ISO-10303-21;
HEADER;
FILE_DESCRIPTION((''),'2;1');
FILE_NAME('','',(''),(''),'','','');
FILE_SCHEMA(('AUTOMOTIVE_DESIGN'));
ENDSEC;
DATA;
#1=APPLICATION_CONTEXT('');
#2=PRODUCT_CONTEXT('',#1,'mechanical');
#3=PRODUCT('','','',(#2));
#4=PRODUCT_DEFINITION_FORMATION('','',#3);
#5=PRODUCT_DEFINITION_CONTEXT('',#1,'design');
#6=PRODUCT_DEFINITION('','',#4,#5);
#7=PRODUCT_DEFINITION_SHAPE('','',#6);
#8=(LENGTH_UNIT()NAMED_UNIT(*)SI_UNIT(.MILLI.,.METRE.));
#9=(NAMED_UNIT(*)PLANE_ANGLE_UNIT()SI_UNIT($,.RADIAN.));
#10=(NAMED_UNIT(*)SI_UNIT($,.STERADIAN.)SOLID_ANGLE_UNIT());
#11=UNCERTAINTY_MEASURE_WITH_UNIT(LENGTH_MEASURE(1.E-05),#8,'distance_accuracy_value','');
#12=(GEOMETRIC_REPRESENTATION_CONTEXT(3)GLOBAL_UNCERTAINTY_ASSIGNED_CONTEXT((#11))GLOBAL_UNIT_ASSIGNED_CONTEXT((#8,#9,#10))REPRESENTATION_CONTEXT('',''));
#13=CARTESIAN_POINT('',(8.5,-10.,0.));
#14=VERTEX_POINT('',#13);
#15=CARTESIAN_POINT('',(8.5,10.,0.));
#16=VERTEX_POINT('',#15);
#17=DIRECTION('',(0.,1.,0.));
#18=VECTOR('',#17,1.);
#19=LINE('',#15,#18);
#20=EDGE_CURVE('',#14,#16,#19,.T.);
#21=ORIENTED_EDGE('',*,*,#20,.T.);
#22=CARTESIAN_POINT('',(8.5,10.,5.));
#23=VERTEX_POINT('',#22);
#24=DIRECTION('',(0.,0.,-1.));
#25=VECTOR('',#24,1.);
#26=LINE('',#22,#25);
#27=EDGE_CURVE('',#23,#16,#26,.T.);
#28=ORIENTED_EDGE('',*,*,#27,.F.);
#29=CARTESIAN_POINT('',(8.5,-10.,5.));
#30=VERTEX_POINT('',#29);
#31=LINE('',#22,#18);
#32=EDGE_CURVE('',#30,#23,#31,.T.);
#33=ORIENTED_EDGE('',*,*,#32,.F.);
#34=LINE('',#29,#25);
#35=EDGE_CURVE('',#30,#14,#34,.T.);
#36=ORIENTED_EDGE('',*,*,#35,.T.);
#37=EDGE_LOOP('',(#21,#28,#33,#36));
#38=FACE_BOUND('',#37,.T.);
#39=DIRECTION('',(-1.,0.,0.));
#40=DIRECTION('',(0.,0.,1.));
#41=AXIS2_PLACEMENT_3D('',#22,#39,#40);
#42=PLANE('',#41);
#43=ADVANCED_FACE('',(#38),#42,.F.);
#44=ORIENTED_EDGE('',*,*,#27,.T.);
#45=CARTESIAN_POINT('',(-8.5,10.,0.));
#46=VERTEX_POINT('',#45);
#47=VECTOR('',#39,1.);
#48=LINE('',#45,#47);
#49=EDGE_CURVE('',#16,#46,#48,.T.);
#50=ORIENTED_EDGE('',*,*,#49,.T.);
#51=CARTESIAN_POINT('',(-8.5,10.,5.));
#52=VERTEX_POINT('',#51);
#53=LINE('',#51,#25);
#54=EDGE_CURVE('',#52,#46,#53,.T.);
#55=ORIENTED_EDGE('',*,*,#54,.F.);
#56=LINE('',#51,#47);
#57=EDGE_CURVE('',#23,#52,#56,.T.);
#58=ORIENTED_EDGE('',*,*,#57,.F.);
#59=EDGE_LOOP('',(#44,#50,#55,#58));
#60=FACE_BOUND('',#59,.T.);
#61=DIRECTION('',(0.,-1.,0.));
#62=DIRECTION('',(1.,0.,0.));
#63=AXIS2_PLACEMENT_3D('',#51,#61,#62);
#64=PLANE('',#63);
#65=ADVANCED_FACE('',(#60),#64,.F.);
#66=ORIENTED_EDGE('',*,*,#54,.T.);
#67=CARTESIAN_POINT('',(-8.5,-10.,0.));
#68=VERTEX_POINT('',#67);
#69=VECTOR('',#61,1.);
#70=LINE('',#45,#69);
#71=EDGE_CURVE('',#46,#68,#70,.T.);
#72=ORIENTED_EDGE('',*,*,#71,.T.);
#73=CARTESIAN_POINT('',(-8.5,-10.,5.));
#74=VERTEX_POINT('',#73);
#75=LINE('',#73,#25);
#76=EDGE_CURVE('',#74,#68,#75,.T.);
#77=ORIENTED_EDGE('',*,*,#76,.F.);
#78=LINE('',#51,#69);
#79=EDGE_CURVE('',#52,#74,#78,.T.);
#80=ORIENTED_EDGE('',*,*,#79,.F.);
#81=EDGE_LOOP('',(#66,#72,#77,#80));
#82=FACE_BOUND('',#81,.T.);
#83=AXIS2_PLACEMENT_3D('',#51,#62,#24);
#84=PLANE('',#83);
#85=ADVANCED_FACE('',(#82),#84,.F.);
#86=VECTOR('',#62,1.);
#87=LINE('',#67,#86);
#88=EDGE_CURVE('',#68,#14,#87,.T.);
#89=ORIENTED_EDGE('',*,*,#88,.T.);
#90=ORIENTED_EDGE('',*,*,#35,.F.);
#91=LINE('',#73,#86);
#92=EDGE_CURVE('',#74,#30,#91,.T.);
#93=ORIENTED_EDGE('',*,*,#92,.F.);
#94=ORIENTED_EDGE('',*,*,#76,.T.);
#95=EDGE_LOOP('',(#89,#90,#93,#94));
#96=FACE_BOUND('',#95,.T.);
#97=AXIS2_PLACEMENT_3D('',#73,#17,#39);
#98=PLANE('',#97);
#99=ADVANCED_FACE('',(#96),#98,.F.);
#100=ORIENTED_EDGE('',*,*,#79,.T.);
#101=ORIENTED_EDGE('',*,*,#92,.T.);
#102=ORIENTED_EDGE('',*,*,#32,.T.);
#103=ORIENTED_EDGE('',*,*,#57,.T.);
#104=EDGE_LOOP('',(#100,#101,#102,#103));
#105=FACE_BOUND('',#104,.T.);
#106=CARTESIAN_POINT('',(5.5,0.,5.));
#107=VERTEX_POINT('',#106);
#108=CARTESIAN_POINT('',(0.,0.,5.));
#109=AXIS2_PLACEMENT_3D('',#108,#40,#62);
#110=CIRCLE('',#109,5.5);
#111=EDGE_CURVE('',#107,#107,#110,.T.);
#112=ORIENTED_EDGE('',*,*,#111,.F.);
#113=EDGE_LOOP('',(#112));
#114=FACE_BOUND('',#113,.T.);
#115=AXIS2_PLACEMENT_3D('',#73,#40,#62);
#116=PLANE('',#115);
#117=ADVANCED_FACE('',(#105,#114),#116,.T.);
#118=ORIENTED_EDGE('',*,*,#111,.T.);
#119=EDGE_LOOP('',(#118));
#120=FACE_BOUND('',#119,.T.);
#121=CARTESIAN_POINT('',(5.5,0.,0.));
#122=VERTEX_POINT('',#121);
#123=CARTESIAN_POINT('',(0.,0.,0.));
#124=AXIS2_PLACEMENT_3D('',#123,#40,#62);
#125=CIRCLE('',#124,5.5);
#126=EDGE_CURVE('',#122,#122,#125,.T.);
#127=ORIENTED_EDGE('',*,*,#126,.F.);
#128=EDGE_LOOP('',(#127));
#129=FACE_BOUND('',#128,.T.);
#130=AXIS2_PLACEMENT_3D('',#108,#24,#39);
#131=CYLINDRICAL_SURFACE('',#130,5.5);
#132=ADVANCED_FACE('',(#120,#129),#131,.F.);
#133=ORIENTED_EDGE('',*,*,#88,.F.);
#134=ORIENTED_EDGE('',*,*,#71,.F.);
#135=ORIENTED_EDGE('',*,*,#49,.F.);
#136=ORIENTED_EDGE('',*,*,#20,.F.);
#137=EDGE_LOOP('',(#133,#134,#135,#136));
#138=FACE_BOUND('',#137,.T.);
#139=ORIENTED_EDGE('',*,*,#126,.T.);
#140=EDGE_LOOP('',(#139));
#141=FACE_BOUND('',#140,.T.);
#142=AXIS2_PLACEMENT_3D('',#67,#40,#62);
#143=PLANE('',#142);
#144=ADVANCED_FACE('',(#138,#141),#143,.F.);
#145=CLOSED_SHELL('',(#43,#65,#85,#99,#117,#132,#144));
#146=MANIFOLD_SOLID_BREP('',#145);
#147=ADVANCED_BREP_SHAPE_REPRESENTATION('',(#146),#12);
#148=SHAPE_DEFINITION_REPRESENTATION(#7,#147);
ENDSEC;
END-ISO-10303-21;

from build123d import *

# Parameters (mm, degrees)
ESQUISSE1_W      = 17
ESQUISSE1_H      = 20
ESQUISSE1_R      = 5.5
EXTRUSION1_DEPTH = 5


with BuildPart() as part:
    # Esquisse1 → Extrusion1 (new body)
    with BuildSketch(Plane.XY):
        Rectangle(ESQUISSE1_W, ESQUISSE1_H)
        Circle(ESQUISSE1_R, mode=Mode.SUBTRACT)
    extrude(amount=EXTRUSION1_DEPTH)


solid = part.part
